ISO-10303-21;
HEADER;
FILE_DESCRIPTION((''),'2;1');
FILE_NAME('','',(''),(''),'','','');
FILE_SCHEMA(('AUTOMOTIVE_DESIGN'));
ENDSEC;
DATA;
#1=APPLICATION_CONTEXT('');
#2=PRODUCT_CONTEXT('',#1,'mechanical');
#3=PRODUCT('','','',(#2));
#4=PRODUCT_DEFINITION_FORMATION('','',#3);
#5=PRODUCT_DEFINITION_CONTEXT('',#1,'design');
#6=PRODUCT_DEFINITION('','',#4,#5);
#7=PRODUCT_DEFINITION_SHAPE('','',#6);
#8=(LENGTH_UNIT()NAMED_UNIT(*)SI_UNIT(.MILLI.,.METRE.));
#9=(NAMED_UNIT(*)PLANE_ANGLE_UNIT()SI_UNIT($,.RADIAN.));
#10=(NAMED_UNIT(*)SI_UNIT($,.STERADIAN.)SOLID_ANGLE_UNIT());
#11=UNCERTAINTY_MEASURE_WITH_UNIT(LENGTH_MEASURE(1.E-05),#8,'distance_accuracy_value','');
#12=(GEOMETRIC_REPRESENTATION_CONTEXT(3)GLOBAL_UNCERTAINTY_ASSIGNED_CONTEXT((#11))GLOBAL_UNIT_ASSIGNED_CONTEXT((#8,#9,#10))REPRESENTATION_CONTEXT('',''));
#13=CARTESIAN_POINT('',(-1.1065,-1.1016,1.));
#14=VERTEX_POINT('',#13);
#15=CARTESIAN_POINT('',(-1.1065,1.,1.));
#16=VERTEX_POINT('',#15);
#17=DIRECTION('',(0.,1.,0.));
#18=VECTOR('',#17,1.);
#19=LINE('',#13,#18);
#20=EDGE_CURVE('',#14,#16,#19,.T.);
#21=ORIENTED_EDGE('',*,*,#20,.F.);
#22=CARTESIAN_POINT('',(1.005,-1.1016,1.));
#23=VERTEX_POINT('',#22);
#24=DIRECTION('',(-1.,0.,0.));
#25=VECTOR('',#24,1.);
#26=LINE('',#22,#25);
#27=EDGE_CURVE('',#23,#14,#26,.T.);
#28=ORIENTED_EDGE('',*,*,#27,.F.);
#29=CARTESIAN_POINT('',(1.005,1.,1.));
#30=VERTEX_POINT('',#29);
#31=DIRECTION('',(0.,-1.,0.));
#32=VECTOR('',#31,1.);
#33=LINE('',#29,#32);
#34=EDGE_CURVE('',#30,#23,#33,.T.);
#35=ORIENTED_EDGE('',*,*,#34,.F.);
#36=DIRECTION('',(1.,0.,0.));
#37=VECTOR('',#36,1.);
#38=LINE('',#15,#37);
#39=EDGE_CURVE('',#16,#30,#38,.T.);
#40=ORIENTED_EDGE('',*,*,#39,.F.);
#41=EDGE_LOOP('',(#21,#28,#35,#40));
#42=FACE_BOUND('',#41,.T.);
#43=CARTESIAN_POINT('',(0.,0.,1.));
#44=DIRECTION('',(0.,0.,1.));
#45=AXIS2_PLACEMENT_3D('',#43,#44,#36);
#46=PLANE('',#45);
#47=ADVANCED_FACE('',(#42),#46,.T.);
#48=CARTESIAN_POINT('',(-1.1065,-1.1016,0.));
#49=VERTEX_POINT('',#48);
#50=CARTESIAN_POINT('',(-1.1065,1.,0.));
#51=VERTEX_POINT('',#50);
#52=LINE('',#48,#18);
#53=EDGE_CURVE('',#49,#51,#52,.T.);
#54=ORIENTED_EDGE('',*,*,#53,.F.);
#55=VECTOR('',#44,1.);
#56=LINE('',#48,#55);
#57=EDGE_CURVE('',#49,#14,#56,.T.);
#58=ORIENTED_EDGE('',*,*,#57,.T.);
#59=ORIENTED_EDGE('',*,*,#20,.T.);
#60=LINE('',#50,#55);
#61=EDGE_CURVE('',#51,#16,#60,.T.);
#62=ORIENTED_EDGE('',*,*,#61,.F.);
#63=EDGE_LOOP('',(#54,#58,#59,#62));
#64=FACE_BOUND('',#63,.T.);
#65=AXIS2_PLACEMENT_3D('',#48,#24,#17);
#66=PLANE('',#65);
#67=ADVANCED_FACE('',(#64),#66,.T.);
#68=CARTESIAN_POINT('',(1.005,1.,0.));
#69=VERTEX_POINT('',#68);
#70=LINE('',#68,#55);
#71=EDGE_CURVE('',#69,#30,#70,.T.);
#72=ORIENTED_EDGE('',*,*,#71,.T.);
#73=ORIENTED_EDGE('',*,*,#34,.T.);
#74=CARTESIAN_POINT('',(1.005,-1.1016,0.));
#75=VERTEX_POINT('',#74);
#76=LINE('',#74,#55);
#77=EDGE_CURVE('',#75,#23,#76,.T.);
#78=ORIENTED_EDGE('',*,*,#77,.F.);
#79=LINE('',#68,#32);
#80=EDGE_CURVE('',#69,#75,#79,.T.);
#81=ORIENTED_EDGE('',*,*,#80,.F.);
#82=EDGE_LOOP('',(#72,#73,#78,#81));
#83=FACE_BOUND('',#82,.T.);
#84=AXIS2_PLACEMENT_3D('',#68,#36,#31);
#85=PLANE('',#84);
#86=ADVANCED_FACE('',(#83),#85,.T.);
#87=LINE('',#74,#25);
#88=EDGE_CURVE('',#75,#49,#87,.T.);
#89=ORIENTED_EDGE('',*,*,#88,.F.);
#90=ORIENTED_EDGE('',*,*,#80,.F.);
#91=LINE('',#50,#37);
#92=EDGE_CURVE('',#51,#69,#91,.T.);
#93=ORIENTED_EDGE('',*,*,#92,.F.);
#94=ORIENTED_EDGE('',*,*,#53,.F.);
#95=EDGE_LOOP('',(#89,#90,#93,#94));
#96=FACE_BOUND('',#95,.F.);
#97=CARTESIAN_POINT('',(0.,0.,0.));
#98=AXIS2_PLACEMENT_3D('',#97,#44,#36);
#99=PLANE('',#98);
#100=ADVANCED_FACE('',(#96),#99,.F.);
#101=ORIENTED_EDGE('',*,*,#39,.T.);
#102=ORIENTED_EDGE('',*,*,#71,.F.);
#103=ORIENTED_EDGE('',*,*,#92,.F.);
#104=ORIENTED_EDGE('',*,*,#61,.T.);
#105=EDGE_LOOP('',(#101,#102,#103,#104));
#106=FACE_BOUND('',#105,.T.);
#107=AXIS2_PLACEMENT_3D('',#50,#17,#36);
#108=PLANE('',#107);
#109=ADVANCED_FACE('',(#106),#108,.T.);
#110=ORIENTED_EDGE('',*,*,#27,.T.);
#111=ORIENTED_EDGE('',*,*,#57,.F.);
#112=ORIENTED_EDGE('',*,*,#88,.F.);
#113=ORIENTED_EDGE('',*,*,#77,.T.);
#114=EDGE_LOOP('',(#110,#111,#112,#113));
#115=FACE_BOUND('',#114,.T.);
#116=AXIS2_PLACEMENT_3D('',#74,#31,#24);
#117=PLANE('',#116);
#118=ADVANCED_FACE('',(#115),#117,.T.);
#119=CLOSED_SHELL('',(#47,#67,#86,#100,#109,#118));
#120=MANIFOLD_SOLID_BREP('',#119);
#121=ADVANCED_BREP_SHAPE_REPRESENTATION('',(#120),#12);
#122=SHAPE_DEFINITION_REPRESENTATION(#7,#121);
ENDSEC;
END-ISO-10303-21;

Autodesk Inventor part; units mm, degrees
ref_plane "YZ Plane" through (0, 0, 0) normal (1, 0, 0) x (0, 1, 0)
ref_plane "XZ Plane" through (0, 0, 0) normal (0, 1, 0) x (-1, 0, 0)
ref_plane "XY Plane" through (0, 0, 0) normal (0, 0, 1) x (1, 0, 0)
sketch "PAD-JUMPER-2-NO_YES_SILK, JUMPER-PAD-2-NOYES_SILK_54" plane through (0, 0, 0) normal (0, 0, 1) x (1, 0, 0)
  line L0 (-1.1065, 1) -> (1.005, 1)
  line L1 (1.005, 1) -> (1.005, -1.1016)
  line L2 (1.005, -1.1016) -> (-1.1065, -1.1016)
  line L3 (-1.1065, -1.1016) -> (-1.1065, 1)
extrude "Extrusion1" add sketch "PAD-JUMPER-2-NO_YES_SILK, JUMPER-PAD-2-NOYES_SILK_54" along normal blind 1
properties part number "JUMPER-PAD-2-NOYES_SILK"
